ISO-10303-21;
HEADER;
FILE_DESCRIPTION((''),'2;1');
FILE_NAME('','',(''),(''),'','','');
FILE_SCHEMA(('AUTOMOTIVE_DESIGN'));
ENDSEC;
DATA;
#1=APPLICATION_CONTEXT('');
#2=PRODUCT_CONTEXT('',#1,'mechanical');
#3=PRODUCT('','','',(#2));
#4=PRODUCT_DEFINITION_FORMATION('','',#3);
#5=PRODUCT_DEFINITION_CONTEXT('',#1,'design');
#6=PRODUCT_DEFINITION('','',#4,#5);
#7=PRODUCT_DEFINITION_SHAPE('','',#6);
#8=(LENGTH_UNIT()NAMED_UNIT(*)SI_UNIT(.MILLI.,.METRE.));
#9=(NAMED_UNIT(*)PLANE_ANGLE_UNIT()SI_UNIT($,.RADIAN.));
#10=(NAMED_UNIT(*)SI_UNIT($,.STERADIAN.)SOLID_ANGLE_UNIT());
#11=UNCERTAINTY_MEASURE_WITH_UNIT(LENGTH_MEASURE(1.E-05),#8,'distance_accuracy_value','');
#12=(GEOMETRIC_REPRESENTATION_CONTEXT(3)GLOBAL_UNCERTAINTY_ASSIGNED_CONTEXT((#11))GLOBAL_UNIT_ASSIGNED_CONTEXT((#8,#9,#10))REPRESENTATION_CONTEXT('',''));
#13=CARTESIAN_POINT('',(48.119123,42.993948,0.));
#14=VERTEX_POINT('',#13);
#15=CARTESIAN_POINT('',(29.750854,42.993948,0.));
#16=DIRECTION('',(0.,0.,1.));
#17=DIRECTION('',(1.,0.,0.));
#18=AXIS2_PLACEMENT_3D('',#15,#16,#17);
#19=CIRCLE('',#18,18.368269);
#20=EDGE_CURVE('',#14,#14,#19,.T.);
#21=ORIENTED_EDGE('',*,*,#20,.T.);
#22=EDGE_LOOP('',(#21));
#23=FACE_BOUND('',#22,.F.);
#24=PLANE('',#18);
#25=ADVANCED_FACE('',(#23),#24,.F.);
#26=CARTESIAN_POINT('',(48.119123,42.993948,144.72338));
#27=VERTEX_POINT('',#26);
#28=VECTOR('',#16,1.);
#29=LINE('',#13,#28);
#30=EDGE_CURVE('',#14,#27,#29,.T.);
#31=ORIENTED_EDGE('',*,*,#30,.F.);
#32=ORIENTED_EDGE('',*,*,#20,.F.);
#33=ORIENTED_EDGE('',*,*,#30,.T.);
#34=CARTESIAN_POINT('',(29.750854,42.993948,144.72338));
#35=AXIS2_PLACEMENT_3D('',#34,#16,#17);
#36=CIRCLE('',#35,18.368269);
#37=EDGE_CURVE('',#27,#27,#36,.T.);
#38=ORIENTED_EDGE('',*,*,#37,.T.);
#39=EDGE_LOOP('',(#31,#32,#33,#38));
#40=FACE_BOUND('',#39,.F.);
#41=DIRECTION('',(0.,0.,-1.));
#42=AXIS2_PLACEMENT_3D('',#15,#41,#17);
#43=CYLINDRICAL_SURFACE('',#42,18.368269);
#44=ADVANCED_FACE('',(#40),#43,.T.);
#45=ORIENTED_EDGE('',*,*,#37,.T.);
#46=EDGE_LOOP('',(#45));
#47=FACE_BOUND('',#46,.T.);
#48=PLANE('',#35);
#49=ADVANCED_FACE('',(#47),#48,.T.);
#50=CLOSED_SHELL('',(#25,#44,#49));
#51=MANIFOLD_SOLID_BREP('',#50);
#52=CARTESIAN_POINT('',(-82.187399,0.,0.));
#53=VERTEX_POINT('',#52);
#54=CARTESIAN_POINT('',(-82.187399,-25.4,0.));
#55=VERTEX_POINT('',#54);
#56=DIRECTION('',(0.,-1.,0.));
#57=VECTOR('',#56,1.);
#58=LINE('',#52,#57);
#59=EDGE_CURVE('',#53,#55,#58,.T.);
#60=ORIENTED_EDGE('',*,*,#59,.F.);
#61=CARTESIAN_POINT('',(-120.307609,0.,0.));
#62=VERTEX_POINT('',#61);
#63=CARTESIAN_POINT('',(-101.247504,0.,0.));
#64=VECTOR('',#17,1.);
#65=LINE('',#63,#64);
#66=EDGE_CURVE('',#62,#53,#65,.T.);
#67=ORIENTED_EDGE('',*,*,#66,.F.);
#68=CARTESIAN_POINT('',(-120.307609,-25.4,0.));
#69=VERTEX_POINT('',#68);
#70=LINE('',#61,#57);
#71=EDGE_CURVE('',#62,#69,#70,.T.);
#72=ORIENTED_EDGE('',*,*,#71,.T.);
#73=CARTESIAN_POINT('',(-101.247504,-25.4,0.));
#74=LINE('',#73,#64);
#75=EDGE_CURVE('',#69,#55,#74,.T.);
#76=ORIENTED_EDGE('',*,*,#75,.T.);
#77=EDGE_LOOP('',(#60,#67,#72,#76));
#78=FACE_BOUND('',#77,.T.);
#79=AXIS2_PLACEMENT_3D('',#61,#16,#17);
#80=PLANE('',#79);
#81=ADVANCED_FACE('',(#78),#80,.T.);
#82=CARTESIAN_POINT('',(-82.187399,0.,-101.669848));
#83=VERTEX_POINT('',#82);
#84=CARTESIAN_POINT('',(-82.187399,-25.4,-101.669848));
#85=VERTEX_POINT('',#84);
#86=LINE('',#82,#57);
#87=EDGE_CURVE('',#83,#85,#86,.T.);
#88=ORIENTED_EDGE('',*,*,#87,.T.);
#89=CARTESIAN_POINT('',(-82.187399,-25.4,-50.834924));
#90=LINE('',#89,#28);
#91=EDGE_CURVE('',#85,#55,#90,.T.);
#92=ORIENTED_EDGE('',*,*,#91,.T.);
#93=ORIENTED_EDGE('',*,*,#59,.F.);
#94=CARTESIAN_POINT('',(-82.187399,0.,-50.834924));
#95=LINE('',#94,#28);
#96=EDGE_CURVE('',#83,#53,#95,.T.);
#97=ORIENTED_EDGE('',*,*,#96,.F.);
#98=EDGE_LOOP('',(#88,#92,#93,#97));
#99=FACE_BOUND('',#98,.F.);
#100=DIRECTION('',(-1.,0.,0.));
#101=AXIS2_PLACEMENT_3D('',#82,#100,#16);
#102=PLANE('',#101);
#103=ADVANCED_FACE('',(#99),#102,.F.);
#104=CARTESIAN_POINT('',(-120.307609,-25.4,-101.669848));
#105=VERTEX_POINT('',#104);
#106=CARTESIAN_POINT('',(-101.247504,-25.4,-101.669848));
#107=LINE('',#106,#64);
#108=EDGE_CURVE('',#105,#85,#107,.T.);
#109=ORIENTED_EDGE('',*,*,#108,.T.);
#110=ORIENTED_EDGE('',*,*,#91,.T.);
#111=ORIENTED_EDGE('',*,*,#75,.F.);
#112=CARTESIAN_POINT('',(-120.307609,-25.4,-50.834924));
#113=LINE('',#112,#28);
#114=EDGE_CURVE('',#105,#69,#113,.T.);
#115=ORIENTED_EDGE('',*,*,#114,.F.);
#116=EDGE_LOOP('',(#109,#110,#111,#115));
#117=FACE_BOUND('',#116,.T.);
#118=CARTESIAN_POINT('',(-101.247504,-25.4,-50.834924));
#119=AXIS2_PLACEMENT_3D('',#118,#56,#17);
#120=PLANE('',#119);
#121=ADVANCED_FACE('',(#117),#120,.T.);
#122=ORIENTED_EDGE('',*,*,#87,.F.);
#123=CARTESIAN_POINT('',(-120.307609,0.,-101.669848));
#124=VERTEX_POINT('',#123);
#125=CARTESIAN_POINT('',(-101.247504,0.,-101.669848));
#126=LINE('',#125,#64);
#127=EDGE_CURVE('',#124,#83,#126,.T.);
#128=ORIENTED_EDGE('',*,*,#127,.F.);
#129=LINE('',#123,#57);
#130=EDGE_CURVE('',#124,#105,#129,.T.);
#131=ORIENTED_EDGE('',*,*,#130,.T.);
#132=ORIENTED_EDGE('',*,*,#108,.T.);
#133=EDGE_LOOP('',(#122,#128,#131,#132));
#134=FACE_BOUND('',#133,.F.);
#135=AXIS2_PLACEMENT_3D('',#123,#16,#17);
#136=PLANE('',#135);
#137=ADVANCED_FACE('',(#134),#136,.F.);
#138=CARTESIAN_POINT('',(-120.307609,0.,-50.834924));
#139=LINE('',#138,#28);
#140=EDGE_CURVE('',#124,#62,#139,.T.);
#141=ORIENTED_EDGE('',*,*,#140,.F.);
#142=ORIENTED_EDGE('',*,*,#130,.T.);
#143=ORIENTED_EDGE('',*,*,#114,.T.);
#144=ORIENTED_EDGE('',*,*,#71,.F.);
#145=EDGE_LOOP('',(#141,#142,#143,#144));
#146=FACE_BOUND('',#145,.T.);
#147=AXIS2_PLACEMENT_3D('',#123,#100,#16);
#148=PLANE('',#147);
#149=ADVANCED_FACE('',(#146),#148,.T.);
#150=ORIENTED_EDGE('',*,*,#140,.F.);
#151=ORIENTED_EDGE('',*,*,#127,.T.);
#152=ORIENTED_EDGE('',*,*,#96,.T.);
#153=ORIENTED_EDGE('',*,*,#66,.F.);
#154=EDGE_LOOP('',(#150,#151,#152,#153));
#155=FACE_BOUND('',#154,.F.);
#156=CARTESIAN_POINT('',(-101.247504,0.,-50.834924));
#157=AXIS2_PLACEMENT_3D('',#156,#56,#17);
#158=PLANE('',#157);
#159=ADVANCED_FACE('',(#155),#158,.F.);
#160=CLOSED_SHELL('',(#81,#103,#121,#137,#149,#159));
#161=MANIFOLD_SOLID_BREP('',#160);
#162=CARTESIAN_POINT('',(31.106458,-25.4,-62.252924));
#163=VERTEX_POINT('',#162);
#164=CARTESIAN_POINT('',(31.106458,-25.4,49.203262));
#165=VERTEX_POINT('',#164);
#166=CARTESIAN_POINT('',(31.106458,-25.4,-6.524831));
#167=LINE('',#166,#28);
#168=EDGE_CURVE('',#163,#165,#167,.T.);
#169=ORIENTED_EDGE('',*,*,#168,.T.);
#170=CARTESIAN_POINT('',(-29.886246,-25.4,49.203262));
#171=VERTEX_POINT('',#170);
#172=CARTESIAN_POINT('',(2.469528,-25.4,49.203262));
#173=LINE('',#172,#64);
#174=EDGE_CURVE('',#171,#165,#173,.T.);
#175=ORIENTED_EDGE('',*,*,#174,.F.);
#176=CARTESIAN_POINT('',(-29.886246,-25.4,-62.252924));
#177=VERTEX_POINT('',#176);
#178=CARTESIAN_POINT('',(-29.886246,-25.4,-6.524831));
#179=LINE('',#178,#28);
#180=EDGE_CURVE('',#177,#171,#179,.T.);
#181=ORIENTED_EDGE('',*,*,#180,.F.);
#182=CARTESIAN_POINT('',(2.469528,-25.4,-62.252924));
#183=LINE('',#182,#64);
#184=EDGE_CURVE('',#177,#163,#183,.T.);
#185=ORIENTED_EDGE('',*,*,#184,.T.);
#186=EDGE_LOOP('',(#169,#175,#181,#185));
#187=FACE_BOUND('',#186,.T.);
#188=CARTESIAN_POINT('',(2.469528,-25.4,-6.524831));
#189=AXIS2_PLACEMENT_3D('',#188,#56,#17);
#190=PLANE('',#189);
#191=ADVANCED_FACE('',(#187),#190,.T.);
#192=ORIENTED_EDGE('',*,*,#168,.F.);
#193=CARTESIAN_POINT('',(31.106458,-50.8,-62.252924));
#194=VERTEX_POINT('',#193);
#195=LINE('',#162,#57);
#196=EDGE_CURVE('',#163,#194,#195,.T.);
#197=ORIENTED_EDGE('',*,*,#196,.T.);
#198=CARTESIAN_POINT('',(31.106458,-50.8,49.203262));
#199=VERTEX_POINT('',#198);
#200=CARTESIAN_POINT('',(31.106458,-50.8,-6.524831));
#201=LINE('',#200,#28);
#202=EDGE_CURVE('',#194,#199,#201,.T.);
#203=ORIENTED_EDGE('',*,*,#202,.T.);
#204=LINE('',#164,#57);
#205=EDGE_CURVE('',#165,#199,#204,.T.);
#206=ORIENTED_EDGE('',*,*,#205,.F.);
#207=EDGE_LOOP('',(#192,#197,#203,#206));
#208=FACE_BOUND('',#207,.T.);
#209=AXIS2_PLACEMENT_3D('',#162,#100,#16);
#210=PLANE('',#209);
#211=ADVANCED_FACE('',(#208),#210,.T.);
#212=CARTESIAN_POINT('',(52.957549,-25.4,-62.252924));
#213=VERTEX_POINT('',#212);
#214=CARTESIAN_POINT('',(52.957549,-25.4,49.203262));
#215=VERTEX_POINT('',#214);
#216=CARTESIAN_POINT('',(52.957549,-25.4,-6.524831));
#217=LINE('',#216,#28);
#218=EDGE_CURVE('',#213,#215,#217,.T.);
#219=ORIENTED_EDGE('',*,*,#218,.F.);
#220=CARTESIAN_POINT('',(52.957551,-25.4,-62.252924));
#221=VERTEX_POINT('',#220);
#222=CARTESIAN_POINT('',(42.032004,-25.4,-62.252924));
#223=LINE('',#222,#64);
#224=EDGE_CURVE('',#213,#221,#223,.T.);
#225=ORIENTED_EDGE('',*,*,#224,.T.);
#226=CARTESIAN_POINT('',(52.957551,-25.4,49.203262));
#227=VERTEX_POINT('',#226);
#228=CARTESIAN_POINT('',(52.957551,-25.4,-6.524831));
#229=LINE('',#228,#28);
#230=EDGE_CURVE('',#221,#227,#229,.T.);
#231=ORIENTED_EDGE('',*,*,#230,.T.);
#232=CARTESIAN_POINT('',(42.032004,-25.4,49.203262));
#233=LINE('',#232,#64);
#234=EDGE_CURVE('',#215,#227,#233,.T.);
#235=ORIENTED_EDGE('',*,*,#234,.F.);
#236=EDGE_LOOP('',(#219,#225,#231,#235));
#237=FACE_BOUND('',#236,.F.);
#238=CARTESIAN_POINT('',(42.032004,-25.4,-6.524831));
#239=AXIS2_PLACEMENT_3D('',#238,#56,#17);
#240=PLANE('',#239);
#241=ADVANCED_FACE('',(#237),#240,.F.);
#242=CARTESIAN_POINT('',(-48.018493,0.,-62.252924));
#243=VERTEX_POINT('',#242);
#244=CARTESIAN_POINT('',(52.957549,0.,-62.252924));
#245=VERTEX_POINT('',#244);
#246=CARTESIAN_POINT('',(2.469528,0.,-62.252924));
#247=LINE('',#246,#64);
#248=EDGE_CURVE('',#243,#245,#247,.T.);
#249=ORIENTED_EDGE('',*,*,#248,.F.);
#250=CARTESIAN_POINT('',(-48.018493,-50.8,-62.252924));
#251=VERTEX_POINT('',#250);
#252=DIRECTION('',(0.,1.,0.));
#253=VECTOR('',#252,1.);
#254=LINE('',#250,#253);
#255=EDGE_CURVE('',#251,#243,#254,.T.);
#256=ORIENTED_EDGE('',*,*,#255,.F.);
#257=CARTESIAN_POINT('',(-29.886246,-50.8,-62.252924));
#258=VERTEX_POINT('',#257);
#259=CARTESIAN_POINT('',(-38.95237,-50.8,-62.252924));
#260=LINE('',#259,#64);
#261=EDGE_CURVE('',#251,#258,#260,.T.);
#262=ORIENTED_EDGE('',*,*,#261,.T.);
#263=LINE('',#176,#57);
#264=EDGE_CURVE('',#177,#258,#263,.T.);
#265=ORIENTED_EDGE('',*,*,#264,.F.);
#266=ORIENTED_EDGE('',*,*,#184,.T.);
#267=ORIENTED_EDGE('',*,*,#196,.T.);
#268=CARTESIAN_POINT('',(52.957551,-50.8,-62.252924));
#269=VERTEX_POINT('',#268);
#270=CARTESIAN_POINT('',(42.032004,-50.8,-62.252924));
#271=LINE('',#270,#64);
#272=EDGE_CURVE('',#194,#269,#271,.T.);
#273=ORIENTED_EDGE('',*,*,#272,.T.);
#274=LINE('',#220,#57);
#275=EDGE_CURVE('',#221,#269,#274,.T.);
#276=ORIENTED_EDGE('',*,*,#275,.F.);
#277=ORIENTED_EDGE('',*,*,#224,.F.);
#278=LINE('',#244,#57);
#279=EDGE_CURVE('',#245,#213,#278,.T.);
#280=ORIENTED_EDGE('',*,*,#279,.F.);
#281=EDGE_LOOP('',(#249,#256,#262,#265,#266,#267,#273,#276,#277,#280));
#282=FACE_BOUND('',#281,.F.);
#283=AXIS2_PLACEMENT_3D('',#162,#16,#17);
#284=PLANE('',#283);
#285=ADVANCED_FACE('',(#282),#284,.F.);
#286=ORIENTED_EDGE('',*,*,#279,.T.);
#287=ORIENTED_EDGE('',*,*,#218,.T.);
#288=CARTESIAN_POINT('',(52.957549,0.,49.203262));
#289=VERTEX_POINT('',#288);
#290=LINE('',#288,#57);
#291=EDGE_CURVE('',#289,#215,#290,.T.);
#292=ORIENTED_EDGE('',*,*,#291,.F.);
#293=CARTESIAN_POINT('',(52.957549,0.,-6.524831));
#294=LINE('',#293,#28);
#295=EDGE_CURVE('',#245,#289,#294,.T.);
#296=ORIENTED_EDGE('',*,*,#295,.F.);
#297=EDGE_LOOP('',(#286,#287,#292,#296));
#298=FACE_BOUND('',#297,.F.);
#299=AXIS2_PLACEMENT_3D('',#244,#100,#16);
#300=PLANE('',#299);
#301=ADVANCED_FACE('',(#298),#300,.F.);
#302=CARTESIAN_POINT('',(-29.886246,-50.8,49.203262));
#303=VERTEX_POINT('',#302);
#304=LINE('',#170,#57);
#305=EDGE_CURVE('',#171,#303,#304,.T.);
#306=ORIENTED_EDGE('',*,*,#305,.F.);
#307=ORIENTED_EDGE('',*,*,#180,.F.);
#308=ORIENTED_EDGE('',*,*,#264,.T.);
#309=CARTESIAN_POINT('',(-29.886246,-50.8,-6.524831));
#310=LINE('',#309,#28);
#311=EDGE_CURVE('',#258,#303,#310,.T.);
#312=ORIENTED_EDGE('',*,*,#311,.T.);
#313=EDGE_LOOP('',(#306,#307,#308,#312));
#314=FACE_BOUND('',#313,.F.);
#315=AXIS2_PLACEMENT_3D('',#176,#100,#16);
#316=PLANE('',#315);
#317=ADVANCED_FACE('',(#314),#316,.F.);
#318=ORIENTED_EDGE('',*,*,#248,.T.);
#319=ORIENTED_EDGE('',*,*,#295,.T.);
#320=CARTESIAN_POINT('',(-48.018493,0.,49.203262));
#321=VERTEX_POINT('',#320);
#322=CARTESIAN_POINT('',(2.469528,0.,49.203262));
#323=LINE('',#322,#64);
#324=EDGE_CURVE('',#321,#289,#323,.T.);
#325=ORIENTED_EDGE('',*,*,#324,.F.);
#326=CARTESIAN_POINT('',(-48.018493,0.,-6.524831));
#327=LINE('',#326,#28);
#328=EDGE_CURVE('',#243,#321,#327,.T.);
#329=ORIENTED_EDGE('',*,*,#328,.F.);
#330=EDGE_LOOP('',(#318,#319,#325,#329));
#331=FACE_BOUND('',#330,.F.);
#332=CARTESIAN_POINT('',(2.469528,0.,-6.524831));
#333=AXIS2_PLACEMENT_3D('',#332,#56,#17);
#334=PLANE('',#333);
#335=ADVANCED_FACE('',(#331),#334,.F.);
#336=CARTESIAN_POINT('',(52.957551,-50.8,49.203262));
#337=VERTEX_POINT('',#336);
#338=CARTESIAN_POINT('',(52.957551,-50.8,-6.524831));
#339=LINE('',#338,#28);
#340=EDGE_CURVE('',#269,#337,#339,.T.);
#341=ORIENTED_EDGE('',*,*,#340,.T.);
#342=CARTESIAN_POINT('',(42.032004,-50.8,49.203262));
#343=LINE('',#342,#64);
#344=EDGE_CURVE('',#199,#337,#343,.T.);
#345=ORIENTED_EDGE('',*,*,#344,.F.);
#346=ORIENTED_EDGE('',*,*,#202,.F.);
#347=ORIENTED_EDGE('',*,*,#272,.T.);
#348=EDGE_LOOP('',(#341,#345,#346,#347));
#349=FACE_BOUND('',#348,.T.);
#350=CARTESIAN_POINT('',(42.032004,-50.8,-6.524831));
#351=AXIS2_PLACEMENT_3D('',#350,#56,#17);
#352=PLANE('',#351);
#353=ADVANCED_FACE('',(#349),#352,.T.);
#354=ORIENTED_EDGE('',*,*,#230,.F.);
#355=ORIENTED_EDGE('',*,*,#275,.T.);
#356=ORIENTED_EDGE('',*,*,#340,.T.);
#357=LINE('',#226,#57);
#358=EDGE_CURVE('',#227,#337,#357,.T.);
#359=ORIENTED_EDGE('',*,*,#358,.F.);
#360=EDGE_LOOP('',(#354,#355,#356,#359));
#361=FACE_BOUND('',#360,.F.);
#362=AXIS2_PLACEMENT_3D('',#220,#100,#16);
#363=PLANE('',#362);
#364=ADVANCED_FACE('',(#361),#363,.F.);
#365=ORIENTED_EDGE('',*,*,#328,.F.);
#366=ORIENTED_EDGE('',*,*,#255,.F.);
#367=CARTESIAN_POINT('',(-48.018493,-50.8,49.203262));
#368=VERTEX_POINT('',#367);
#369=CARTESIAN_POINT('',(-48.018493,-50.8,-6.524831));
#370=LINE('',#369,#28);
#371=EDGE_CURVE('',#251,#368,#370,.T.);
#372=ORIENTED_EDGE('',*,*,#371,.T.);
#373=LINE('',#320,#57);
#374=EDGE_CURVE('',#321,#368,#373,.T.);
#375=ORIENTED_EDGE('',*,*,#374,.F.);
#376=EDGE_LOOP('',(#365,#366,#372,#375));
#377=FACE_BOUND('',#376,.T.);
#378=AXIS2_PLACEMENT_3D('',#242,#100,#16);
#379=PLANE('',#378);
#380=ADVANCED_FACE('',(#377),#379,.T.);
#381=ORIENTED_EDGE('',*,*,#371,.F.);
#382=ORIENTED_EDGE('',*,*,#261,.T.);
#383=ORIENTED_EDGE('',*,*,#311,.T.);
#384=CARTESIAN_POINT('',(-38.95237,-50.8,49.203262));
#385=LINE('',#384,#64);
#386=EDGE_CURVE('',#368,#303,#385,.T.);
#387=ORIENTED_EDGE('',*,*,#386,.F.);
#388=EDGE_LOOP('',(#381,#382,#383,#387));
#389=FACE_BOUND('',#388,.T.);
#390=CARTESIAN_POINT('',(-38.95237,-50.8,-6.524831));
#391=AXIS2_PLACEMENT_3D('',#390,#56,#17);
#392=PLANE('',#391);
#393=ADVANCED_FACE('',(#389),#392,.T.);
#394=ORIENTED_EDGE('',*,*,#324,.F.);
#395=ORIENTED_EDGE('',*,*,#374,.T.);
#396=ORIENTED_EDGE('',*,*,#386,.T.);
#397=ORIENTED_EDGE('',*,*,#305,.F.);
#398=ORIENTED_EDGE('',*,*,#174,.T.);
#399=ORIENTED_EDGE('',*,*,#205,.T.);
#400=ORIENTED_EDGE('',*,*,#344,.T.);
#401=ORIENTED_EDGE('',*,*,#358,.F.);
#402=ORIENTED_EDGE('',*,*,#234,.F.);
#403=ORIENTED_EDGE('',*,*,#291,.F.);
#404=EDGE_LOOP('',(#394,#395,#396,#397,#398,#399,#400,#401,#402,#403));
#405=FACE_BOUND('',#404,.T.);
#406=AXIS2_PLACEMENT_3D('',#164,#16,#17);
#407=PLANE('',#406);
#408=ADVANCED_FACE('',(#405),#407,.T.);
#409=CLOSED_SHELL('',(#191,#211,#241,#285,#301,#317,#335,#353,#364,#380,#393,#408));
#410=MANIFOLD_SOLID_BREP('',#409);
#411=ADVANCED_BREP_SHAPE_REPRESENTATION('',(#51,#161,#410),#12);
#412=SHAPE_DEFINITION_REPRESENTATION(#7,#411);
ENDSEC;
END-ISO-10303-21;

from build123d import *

# Parameters (mm, degrees)
F0_W     = 100.976043
F0_H     = 111.456186
F1_DEPTH = 25.4
F2_W     = 38.12021
F2_H     = 101.669848
F3_DEPTH = 25.4
F4_W     = 21.851093
F4_H     = 111.456186
F4_W_2   = 18.132247
F5_DEPTH = 25.4
F6_R     = 18.368269
F7_DEPTH = 144.72338


with BuildPart() as f1:
    # F0 (on Front) → F1 (new body)
    with BuildSketch(Plane.XZ):
        with Locations((2.469528, -6.524831)):
            Rectangle(F0_W, F0_H)
    extrude(amount=F1_DEPTH)

    # F4 (on face) → F5 (join)
    with BuildSketch(Plane.XZ.offset(25.4)):
        with Locations((42.032004, -6.524831)):
            Rectangle(F4_W, F4_H)
        with Locations((-38.95237, -6.524831)):
            Rectangle(F4_W_2, F4_H)
    extrude(amount=F5_DEPTH)


with BuildPart() as f3:
    # F2 (on Front) → F3 (new body)
    with BuildSketch(Plane.XZ):
        with Locations((-101.247504, -50.834924)):
            Rectangle(F2_W, F2_H)
    extrude(amount=F3_DEPTH)


with BuildPart() as f7:
    # F6 (on Top) → F7 (new body)
    with BuildSketch(Plane.XY):
        with Locations((29.750854, 42.993948)):
            Circle(F6_R)
    extrude(amount=F7_DEPTH)


solid = Compound([f1.part, f3.part, f7.part])
